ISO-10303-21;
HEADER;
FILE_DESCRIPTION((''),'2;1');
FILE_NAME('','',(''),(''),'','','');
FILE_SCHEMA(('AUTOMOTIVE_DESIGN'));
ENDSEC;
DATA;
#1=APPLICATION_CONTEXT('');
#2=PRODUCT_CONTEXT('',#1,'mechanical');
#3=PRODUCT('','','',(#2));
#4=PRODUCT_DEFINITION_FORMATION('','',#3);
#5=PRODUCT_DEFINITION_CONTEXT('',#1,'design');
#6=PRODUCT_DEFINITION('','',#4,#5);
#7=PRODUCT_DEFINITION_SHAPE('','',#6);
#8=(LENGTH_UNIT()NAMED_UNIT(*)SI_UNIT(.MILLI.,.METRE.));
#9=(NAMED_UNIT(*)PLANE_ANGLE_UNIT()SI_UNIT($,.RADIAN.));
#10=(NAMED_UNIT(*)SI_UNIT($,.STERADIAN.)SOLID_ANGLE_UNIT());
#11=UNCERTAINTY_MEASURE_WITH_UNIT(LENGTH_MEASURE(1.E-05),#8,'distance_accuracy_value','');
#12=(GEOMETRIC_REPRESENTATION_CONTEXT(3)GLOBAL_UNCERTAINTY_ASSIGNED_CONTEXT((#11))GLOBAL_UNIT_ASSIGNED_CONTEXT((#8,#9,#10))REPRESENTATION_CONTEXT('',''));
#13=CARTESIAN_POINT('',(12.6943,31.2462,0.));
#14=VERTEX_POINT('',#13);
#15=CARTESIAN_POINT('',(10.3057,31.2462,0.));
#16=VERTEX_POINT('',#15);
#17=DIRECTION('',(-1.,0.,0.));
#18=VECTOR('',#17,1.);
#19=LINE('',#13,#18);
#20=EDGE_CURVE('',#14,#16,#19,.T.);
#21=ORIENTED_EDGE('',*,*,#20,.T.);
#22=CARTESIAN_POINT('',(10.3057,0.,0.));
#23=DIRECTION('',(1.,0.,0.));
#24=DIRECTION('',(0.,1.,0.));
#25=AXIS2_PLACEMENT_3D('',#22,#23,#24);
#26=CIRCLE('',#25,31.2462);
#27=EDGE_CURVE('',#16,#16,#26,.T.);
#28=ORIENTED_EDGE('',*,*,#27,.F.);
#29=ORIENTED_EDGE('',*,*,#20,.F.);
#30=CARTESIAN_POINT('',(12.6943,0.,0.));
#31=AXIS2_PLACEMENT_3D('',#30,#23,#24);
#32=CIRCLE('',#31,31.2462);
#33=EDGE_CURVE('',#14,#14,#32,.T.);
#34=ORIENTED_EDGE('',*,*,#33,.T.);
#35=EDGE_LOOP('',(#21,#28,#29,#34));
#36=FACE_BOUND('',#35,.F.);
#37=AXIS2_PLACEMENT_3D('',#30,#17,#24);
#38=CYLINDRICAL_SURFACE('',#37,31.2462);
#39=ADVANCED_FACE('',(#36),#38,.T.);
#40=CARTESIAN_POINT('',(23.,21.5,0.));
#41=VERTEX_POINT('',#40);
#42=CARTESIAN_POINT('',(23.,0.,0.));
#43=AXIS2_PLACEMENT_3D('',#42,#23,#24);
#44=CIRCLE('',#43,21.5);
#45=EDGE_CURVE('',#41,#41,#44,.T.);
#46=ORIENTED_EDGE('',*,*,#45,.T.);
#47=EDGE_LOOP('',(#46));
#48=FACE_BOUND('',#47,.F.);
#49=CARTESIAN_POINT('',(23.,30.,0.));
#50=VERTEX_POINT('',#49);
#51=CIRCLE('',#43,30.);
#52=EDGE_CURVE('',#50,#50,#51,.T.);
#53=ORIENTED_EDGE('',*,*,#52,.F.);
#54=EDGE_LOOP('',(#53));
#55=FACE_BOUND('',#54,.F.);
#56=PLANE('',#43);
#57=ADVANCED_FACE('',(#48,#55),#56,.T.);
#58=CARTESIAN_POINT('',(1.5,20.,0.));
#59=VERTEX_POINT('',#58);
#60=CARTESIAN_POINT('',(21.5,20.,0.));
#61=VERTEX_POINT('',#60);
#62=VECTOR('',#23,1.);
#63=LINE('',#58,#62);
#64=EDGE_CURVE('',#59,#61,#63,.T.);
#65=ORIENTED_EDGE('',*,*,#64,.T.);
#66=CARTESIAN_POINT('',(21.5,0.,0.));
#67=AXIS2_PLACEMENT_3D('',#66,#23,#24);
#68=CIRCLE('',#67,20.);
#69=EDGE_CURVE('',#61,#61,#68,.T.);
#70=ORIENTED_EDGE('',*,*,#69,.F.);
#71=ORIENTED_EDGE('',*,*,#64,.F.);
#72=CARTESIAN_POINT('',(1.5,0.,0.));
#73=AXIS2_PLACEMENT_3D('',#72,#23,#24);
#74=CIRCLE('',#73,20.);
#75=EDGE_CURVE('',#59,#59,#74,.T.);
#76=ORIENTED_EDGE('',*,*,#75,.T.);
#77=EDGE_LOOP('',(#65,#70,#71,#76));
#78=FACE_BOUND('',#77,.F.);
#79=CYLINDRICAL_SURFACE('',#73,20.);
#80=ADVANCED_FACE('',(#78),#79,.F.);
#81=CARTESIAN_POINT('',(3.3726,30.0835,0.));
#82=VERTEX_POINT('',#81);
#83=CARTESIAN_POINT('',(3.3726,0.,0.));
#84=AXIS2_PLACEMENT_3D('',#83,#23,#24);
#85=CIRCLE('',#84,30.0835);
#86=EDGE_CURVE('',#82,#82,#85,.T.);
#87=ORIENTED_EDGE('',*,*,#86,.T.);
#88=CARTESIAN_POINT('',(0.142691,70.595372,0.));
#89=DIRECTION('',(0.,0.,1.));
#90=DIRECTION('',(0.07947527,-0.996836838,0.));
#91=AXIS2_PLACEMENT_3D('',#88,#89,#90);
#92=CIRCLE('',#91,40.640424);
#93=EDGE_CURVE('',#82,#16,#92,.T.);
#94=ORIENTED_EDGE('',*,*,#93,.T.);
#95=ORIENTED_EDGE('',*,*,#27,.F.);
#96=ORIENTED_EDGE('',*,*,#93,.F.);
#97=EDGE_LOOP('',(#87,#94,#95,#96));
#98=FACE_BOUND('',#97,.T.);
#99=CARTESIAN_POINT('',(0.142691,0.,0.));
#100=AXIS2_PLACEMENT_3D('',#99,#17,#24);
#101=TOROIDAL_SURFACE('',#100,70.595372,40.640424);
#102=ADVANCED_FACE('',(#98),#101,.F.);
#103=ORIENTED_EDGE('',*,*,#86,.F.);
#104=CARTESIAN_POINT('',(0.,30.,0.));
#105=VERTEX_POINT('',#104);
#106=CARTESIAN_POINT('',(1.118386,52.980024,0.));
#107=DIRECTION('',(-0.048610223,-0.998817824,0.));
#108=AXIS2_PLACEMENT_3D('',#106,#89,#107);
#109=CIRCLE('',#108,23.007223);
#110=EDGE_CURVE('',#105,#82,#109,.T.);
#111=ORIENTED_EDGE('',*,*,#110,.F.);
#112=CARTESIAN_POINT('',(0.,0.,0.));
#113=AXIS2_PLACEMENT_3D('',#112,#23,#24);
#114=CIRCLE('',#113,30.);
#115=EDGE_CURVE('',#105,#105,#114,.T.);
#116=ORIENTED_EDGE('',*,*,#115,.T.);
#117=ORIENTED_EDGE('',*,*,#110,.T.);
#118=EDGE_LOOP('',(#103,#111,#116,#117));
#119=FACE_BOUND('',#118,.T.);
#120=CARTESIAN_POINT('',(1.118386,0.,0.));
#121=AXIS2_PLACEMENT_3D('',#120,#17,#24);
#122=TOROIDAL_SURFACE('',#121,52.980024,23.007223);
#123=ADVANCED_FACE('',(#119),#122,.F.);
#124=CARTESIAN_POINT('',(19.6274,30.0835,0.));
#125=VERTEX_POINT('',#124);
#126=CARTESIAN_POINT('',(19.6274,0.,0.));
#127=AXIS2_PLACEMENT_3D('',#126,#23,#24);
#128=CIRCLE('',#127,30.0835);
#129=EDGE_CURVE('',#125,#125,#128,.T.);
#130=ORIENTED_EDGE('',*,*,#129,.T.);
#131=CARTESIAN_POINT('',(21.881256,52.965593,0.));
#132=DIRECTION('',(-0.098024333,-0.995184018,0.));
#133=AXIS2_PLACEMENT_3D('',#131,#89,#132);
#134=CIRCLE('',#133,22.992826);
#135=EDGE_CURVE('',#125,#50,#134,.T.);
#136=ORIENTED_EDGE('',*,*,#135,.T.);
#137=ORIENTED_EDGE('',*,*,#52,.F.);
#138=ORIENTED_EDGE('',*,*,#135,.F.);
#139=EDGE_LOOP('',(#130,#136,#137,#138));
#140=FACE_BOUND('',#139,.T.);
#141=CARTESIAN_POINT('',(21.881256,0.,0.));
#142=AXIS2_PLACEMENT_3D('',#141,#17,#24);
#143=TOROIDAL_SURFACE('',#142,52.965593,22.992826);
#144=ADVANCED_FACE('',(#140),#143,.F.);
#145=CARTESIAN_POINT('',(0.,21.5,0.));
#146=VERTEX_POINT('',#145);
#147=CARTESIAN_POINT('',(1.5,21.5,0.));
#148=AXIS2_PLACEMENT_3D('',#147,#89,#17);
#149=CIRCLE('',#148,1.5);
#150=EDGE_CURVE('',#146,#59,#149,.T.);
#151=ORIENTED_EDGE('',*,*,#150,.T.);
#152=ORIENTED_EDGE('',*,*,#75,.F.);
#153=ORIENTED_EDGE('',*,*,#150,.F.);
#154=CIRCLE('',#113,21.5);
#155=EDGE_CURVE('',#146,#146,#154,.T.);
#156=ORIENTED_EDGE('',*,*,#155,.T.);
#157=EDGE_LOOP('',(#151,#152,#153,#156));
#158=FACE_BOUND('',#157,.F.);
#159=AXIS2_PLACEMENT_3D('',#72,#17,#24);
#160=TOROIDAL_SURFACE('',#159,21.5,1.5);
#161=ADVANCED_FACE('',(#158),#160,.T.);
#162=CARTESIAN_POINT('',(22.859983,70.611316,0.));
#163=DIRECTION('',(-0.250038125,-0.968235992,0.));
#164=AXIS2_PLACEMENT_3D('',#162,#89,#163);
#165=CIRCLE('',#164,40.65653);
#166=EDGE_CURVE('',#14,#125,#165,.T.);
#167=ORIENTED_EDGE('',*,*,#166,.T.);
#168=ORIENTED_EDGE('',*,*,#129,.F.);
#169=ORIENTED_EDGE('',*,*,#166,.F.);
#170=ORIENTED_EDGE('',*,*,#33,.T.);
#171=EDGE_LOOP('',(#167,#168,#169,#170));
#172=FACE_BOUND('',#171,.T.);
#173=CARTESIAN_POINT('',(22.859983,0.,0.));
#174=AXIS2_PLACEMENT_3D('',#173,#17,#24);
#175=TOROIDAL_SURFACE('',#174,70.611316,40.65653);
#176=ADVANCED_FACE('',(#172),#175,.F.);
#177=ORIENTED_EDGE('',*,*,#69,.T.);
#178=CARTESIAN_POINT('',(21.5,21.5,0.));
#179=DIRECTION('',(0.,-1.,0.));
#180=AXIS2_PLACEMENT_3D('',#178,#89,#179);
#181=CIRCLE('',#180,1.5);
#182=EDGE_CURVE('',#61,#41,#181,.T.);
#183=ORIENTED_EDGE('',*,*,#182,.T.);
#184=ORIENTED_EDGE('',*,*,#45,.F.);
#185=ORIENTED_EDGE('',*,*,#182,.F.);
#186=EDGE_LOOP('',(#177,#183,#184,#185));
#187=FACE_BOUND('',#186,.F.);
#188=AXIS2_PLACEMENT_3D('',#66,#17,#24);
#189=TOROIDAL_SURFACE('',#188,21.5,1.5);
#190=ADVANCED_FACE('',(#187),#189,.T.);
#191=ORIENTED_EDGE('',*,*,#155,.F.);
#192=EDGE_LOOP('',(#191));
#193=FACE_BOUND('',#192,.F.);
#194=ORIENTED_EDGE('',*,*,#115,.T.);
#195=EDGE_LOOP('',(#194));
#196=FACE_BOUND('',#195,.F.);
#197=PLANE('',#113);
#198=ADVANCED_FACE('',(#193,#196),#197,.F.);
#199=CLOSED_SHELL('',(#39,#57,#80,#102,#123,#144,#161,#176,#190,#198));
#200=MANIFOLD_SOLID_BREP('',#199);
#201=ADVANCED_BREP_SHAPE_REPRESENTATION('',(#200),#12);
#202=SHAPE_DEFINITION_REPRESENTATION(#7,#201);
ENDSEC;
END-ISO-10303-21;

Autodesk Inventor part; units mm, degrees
sketch "Sketch_1" plane through (0, 0, 0) normal (0, 0, 1) x (1, 0, 0)
  line L0 (23, 0) -> (-23, 0)
  arc A0 (0, 21.5) -> (1.5, 20) centre (1.5, 21.5) ccw
  line L1 (1.5, 20) -> (21.5, 20)
  arc A1 (21.5, 20) -> (23, 21.5) centre (21.5, 21.5) ccw
  line L2 (23, 21.5) -> (23, 30)
  arc A2 (19.6274, 30.0835) -> (23, 30) centre (21.8817, 52.9728) ccw
  arc A3 (12.6943, 31.2462) -> (19.6274, 30.0835) centre (22.8583, 70.6034) ccw
  line L3 (12.6943, 31.2462) -> (10.3057, 31.2462)
  arc A4 (3.3726, 30.0835) -> (10.3057, 31.2462) centre (0.1417, 70.6034) ccw
  arc A5 (0, 30) -> (3.3726, 30.0835) centre (1.1183, 52.9728) ccw
  line L4 (0, 30) -> (0, 21.5)
revolve "Revolution1" add sketch "Sketch_1" angle 360 about axis through (23, 0, 0) along (1, 0, 0)
ref_plane "NO_GEO_XY" through (0, 0, 0) normal (1, 0, 0) x (0, 0, -1)
ref_plane "NO_GEO_YZ" through (0, 0, 0) normal (0, 0, -1) x (0, 1, 0)
ref_plane "NO_GEO_ZX" through (0, 0, 0) normal (0, 1, 0) x (1, 0, 0)
ref_plane "ir_XY" through (0, 0, 0) normal (0, 0, 1) x (1, 0, 0)
ref_plane "ir_YZ" through (0, 0, 0) normal (1, 0, 0) x (0, 1, 0)
ref_plane "ir_ZX" through (0, 0, 0) normal (0, 1, 0) x (0, 0, 1)
properties part number "21308 E_ir"
